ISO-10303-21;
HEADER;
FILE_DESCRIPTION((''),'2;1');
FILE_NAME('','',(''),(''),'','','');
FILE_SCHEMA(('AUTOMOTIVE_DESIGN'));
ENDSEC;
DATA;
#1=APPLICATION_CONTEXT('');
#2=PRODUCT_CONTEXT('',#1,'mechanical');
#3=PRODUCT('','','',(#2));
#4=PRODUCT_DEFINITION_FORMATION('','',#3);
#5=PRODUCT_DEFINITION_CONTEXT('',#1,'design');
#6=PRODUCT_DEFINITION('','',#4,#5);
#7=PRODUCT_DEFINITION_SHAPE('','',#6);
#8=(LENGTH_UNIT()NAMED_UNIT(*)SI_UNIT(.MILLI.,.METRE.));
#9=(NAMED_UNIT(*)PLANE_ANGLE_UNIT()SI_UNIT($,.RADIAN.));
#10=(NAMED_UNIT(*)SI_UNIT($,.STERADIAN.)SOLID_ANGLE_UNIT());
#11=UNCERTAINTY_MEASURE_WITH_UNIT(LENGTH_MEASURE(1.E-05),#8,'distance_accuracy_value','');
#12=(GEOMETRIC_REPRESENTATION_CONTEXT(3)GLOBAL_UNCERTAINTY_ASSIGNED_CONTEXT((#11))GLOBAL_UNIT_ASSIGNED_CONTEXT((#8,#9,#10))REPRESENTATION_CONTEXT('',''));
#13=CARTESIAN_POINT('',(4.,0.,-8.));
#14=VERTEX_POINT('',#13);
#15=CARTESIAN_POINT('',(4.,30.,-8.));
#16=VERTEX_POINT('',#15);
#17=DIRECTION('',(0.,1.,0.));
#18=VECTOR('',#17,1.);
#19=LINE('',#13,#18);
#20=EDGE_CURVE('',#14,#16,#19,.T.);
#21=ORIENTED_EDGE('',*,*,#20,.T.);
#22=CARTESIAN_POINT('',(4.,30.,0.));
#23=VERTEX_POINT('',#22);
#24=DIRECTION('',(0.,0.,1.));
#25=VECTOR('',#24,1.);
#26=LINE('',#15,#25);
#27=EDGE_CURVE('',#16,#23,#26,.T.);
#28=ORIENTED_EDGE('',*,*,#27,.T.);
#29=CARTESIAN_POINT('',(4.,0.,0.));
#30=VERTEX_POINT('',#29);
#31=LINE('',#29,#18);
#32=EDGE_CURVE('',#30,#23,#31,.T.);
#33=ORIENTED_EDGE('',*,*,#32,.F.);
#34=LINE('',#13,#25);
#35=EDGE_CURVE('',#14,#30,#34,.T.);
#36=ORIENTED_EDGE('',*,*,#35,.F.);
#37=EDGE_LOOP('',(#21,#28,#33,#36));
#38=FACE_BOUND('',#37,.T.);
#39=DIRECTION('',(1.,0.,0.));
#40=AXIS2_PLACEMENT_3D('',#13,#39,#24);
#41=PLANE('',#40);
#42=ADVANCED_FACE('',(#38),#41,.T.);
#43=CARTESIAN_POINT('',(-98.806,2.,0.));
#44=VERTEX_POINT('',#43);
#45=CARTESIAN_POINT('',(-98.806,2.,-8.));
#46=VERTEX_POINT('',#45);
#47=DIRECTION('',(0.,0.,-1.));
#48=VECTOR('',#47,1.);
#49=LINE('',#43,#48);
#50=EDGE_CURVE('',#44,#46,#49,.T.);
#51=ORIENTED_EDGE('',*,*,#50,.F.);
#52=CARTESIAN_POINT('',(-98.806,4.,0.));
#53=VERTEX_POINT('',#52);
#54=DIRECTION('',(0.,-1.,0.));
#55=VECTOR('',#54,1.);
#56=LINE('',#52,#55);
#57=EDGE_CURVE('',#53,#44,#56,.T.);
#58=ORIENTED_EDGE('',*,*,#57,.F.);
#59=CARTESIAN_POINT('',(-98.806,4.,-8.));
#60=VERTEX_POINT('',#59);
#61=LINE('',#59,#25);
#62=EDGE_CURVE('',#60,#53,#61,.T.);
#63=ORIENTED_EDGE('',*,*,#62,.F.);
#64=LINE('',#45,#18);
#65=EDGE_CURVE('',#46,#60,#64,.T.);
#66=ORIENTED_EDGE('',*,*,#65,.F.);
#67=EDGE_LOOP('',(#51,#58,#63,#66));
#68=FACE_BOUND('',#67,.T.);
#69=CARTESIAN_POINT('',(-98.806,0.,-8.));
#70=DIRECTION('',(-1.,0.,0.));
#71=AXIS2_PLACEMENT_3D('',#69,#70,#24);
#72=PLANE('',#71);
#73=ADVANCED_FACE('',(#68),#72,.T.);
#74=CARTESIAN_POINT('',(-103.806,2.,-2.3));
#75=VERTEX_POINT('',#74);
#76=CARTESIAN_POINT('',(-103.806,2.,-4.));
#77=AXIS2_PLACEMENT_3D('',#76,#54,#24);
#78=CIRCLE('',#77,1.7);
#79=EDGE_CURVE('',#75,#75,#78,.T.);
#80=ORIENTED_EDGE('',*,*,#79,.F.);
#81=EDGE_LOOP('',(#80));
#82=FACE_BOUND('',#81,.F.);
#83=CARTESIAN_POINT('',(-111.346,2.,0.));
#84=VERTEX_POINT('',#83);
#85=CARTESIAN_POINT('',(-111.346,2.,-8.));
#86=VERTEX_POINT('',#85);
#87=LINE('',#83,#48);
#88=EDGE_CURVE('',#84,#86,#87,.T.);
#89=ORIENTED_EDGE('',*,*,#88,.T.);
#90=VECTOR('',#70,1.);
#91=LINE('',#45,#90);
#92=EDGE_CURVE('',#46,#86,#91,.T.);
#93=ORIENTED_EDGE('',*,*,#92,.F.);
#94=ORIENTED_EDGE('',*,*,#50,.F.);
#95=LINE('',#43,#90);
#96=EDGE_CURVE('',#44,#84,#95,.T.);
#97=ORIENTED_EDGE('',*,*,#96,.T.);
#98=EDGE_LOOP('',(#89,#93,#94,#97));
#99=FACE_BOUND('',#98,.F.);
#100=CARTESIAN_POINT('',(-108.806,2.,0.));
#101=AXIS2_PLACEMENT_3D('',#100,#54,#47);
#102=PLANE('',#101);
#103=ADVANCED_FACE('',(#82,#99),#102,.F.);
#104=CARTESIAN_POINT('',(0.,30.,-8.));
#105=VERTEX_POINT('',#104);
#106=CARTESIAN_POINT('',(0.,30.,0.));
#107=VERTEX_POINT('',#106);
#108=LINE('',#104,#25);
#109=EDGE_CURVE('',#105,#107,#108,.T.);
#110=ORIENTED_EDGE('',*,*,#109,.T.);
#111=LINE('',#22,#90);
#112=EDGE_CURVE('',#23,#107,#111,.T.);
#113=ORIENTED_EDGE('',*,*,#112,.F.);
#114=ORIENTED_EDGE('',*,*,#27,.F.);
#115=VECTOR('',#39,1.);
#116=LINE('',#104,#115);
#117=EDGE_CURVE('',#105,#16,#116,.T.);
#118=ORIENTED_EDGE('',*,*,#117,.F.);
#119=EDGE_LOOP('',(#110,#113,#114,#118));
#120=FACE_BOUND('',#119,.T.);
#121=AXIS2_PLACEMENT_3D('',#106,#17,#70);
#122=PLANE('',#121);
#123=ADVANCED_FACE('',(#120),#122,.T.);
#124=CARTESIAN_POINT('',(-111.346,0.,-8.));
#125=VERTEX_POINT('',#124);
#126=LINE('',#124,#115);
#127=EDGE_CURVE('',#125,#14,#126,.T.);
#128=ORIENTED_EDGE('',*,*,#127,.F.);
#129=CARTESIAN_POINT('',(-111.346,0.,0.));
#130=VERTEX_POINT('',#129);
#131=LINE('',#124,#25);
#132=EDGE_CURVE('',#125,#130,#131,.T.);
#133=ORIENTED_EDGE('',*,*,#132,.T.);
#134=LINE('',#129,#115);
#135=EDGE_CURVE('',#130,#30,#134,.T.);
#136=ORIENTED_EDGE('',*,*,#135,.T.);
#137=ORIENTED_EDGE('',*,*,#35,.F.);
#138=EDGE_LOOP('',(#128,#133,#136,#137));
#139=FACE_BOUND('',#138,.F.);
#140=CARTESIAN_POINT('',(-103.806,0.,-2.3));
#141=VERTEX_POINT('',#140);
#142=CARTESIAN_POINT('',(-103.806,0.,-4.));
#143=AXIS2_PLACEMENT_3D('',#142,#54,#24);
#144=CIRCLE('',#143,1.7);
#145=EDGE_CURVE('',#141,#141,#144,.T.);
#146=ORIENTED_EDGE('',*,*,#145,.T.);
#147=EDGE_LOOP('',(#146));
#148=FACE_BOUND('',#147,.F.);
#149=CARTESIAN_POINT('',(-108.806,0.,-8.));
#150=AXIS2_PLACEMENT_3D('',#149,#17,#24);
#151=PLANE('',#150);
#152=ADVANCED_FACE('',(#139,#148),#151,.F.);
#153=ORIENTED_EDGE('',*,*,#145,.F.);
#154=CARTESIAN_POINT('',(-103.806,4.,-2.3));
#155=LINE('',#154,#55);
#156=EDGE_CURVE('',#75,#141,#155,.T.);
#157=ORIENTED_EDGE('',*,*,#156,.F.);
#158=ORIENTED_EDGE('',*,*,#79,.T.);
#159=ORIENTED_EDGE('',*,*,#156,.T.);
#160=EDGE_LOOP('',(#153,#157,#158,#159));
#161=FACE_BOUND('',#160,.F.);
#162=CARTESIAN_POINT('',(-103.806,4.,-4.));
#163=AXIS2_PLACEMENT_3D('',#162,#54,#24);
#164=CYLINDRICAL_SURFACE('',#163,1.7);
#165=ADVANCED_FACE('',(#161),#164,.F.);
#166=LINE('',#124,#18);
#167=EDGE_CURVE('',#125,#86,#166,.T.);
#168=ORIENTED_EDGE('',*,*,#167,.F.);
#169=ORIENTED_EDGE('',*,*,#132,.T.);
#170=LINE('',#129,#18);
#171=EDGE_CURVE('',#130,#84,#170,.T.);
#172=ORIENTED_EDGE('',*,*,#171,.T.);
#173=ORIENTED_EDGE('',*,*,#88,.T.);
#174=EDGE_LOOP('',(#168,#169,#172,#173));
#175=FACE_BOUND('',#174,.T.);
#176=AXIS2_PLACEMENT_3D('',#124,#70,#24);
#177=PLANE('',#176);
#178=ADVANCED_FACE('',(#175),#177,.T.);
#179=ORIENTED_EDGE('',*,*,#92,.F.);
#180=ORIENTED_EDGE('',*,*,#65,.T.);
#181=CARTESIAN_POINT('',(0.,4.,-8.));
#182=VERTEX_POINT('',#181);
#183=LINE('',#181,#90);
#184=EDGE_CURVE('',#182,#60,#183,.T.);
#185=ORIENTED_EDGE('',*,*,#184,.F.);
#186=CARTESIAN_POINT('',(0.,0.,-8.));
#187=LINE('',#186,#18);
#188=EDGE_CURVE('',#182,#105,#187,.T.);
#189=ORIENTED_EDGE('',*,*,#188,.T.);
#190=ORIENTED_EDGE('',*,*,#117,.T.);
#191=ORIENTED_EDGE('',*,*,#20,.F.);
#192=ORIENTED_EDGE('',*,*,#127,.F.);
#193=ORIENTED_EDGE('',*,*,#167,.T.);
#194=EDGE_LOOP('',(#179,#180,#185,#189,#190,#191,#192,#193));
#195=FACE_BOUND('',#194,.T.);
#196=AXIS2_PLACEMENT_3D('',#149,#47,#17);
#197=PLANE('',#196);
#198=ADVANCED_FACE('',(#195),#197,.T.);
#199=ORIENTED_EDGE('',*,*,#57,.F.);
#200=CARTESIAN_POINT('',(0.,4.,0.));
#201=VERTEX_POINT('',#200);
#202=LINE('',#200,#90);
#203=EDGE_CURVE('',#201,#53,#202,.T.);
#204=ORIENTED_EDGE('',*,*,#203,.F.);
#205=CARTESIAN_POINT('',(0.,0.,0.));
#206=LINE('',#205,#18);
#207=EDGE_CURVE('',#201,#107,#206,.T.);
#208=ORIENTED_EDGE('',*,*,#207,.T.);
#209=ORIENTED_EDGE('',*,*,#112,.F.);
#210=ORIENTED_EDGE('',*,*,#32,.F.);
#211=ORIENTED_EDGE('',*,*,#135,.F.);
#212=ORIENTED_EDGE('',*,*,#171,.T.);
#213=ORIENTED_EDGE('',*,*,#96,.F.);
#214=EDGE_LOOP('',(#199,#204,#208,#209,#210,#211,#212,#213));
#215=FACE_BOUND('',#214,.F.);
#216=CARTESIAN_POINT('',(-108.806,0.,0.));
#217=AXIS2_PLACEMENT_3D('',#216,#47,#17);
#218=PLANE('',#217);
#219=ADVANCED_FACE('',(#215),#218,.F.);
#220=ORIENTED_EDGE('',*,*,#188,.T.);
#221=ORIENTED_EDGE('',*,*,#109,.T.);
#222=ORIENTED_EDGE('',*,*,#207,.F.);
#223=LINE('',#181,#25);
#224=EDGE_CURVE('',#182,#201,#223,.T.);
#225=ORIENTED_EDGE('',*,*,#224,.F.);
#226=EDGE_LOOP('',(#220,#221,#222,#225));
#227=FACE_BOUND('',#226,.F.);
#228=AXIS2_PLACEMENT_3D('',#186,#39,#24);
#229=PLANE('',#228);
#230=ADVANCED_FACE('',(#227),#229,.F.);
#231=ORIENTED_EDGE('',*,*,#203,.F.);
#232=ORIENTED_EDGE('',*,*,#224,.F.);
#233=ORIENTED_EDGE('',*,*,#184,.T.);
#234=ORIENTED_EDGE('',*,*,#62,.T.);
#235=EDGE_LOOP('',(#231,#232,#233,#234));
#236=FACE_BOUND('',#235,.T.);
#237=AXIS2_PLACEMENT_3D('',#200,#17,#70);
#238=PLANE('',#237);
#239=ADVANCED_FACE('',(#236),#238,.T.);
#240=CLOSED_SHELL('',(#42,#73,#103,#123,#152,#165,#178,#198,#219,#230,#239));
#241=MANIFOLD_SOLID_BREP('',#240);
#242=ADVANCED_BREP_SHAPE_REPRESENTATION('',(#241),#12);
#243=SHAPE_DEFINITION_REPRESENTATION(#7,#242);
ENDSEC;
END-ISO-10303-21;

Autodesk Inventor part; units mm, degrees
ref_plane "YZ Plane" through (0, 0, 0) normal (1, 0, 0) x (0, 1, 0)
ref_plane "XZ Plane" through (0, 0, 0) normal (0, 1, 0) x (-1, 0, 0)
ref_plane "XY Plane" through (0, 0, 0) normal (0, 0, 1) x (1, 0, 0)
sketch "Sketch1" plane through (0, 0, 0) normal (0, 1, 0) x (-1, 0, 0)
  line L0 (0, 0) -> (98.806, 0)
  line L1 (98.806, 0) -> (98.806, -8)
  line L2 (98.806, -8) -> (0, -8)
  line L3 (0, -8) -> (0, 0)
  line L4 (0, -8) -> (-4, -8)
  line L5 (-4, -8) -> (-4, 0)
  line L6 (-4, 0) -> (0, 0)
  line L7 (0, 0) -> (0, -8)
  line L8 (98.806, 0) -> (108.806, 0)
  line L9 (108.806, 0) -> (108.806, -8)
  line L10 (108.806, -8) -> (98.806, -8)
  point P0 (0, 0)
  dimension "d0" = 98.806
  dimension "d1" = 8
  dimension "d2" = 4
  dimension "d3" = 8
  dimension "d4" = 10
extrude "Extrusion1" add sketch "Sketch1" along normal blind 30 contours L3 L4 L5 L6
extrude "Extrusion2" add sketch "Sketch1" along normal blind 4 contours L0 L1 L2 L3 | L8 L9 L10 L1
sketch "Sketch2" plane through (0, 4, 0) normal (0, 1, 0) x (1, 0, 0)
  line L0 (-108.806, 8) -> (-108.806, 0) projected
  line L1 (-108.806, 4) -> (-103.806, 4)
  point P0 (0, 0)
  dimension "d9" = 5
hole "Hole1" at (-103.806, 4, -4) direction (0, -1, 0) diameter 3.4 end through all clearance for "Flat Head Machine Screw" size "M3" standard "Ansi Metric M Profile"
sketch "Sketch3" plane through (-108.806, 0, -8) normal (-1, 0, 0) x (0, 0, 1)
  line L0 (0, 4) -> (8, 4) projected
  line L1 (0, 4) -> (8, 4)
  line L2 (8, 4) -> (8, 2)
  line L3 (8, 2) -> (0, 2)
  line L4 (0, 2) -> (0, 4)
  point P0 (8, 0)
  point P1 (8, 4)
  dimension "d17" = 8
  dimension "d18" = 2
extrude "Extrusion3" cut sketch "Sketch3" against normal blind 10
sketch "Sketch4" plane through (-108.806, 0, -8) normal (-1, 0, 0) x (0, 0, 1)
  line L0 (8, 2) -> (0, 2) projected
  line L1 (0, 0) -> (0, 2) projected
  line L2 (0, 0) -> (8, 0) projected
  line L3 (8, 0) -> (8, 2) projected
extrude "Extrusion4" add sketch "Sketch4" along normal blind 2.54
properties part number "brace2"
